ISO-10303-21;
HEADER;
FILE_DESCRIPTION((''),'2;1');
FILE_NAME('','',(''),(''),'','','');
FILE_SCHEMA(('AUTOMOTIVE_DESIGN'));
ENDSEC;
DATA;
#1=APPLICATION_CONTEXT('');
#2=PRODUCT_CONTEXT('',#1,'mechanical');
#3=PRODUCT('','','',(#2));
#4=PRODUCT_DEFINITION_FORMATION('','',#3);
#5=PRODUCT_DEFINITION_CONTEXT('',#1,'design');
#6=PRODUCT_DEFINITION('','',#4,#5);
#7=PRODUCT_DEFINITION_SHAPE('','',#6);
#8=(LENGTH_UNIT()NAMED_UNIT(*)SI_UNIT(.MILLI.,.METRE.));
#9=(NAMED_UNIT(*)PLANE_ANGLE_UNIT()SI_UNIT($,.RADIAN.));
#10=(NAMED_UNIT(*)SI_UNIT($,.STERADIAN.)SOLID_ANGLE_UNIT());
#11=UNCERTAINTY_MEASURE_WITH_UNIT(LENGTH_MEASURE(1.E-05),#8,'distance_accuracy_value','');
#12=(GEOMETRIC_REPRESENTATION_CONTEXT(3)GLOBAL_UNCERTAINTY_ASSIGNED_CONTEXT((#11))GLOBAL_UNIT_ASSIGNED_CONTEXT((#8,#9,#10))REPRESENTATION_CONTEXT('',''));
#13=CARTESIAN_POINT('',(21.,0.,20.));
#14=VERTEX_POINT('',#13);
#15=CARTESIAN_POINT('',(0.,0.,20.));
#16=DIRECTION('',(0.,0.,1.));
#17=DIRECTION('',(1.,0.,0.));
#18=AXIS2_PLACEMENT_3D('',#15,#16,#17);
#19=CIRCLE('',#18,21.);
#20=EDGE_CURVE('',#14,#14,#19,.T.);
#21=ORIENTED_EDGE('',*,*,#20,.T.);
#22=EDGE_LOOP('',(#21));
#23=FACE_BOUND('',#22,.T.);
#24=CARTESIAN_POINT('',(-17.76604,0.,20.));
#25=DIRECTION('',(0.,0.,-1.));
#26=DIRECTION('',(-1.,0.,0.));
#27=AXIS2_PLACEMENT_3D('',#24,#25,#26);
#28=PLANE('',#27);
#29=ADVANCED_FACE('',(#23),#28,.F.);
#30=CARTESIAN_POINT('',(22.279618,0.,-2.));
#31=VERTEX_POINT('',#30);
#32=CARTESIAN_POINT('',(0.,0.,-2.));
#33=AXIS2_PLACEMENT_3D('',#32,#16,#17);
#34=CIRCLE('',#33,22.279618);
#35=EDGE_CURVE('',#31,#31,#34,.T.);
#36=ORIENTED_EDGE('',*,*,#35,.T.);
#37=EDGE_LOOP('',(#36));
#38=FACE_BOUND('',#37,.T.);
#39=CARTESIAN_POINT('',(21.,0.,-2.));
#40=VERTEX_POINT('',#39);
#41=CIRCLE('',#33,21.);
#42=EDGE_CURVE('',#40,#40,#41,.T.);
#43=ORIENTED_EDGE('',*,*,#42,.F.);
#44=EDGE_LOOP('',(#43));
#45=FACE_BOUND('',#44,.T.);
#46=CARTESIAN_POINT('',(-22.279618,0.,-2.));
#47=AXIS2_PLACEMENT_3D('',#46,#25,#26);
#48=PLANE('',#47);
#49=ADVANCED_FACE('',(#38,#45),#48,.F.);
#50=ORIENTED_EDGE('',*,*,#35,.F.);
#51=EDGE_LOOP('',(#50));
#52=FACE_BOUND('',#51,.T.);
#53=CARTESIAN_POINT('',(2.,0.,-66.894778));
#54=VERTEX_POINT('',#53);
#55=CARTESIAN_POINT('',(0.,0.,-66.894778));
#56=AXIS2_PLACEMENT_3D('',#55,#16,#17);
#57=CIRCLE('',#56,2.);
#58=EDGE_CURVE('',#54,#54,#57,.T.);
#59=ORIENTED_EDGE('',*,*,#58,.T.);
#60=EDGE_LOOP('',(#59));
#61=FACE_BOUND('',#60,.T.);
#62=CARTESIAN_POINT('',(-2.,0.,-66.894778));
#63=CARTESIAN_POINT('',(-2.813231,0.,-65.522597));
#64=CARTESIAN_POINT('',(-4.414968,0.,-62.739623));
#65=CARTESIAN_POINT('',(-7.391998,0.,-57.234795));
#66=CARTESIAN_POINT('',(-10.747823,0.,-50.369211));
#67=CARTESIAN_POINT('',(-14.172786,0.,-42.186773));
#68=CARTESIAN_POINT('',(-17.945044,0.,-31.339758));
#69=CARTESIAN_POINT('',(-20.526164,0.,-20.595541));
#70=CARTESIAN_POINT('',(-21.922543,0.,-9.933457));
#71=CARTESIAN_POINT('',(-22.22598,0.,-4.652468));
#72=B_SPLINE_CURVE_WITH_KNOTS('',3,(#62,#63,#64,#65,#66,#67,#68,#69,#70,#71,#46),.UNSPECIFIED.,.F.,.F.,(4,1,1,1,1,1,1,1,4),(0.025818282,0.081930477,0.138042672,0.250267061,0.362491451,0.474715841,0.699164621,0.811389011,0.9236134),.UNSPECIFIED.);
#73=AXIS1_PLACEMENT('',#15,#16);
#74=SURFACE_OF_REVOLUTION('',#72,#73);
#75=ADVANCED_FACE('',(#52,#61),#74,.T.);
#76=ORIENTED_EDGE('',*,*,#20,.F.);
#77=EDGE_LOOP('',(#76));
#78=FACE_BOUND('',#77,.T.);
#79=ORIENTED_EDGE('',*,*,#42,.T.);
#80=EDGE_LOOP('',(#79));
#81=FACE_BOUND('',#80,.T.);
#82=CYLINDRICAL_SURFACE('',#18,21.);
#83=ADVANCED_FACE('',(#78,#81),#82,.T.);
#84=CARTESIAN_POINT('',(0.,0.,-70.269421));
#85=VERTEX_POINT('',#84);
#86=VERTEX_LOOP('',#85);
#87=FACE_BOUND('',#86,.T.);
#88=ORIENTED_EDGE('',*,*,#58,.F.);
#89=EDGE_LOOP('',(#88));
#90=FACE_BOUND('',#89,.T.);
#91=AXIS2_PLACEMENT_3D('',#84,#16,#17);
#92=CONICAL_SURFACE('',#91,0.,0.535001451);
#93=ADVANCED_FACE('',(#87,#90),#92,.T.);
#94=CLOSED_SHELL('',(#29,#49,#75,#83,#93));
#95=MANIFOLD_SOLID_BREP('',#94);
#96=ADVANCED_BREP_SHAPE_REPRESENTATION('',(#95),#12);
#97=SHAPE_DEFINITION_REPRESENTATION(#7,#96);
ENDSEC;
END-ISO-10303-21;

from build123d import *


with BuildPart() as part:
    # Эскиз1 → Повернуть1 (revolve)
    with BuildSketch(Plane(origin=(0, 0, 0), x_dir=(1, 0, 0), z_dir=(0, 1, 0)), mode=Mode.PRIVATE) as revolve_1_sk:
        with BuildLine():
            Line((-21, -18), (-21, -20))
            Line((-21, -20), (-17.766039573, -20))
            Line((-17.766039573, -20), (0, -20))
            Line((0, -20), (0, 70.269421294))
            Line((0, 70.269421294), (-2, 66.894778154))
            add(Edge.make_bspline(
                [(-22.279618173, 2), (-22.225979802, 4.652467696), (-21.922543341, 9.933456513), (-20.526163589, 20.595541154), (-17.945044177, 31.339758467), (-14.172786226, 42.18677282), (-10.747822672, 50.369210535), (-7.391998069, 57.234794572), (-4.414967739, 62.739623462), (-2.813230638, 65.522596558), (-2, 66.894778154)],
                knots=[0.025818282, 0.025818282, 0.025818282, 0.025818282, 0.138042672, 0.250267061, 0.474715841, 0.586940231, 0.699164621, 0.811389011, 0.867501205, 0.9236134, 0.9236134, 0.9236134, 0.9236134], degree=3))
            Line((-22.279618173, 2), (-21, 2))
            Line((-21, 2), (-21, -18))
        make_face()
    revolve(revolve_1_sk.sketch.rotate(Axis((0, 0, 20), (0, 0, -1)), 180), axis=Axis((0, 0, 20), (0, 0, -1)))


solid = part.part
